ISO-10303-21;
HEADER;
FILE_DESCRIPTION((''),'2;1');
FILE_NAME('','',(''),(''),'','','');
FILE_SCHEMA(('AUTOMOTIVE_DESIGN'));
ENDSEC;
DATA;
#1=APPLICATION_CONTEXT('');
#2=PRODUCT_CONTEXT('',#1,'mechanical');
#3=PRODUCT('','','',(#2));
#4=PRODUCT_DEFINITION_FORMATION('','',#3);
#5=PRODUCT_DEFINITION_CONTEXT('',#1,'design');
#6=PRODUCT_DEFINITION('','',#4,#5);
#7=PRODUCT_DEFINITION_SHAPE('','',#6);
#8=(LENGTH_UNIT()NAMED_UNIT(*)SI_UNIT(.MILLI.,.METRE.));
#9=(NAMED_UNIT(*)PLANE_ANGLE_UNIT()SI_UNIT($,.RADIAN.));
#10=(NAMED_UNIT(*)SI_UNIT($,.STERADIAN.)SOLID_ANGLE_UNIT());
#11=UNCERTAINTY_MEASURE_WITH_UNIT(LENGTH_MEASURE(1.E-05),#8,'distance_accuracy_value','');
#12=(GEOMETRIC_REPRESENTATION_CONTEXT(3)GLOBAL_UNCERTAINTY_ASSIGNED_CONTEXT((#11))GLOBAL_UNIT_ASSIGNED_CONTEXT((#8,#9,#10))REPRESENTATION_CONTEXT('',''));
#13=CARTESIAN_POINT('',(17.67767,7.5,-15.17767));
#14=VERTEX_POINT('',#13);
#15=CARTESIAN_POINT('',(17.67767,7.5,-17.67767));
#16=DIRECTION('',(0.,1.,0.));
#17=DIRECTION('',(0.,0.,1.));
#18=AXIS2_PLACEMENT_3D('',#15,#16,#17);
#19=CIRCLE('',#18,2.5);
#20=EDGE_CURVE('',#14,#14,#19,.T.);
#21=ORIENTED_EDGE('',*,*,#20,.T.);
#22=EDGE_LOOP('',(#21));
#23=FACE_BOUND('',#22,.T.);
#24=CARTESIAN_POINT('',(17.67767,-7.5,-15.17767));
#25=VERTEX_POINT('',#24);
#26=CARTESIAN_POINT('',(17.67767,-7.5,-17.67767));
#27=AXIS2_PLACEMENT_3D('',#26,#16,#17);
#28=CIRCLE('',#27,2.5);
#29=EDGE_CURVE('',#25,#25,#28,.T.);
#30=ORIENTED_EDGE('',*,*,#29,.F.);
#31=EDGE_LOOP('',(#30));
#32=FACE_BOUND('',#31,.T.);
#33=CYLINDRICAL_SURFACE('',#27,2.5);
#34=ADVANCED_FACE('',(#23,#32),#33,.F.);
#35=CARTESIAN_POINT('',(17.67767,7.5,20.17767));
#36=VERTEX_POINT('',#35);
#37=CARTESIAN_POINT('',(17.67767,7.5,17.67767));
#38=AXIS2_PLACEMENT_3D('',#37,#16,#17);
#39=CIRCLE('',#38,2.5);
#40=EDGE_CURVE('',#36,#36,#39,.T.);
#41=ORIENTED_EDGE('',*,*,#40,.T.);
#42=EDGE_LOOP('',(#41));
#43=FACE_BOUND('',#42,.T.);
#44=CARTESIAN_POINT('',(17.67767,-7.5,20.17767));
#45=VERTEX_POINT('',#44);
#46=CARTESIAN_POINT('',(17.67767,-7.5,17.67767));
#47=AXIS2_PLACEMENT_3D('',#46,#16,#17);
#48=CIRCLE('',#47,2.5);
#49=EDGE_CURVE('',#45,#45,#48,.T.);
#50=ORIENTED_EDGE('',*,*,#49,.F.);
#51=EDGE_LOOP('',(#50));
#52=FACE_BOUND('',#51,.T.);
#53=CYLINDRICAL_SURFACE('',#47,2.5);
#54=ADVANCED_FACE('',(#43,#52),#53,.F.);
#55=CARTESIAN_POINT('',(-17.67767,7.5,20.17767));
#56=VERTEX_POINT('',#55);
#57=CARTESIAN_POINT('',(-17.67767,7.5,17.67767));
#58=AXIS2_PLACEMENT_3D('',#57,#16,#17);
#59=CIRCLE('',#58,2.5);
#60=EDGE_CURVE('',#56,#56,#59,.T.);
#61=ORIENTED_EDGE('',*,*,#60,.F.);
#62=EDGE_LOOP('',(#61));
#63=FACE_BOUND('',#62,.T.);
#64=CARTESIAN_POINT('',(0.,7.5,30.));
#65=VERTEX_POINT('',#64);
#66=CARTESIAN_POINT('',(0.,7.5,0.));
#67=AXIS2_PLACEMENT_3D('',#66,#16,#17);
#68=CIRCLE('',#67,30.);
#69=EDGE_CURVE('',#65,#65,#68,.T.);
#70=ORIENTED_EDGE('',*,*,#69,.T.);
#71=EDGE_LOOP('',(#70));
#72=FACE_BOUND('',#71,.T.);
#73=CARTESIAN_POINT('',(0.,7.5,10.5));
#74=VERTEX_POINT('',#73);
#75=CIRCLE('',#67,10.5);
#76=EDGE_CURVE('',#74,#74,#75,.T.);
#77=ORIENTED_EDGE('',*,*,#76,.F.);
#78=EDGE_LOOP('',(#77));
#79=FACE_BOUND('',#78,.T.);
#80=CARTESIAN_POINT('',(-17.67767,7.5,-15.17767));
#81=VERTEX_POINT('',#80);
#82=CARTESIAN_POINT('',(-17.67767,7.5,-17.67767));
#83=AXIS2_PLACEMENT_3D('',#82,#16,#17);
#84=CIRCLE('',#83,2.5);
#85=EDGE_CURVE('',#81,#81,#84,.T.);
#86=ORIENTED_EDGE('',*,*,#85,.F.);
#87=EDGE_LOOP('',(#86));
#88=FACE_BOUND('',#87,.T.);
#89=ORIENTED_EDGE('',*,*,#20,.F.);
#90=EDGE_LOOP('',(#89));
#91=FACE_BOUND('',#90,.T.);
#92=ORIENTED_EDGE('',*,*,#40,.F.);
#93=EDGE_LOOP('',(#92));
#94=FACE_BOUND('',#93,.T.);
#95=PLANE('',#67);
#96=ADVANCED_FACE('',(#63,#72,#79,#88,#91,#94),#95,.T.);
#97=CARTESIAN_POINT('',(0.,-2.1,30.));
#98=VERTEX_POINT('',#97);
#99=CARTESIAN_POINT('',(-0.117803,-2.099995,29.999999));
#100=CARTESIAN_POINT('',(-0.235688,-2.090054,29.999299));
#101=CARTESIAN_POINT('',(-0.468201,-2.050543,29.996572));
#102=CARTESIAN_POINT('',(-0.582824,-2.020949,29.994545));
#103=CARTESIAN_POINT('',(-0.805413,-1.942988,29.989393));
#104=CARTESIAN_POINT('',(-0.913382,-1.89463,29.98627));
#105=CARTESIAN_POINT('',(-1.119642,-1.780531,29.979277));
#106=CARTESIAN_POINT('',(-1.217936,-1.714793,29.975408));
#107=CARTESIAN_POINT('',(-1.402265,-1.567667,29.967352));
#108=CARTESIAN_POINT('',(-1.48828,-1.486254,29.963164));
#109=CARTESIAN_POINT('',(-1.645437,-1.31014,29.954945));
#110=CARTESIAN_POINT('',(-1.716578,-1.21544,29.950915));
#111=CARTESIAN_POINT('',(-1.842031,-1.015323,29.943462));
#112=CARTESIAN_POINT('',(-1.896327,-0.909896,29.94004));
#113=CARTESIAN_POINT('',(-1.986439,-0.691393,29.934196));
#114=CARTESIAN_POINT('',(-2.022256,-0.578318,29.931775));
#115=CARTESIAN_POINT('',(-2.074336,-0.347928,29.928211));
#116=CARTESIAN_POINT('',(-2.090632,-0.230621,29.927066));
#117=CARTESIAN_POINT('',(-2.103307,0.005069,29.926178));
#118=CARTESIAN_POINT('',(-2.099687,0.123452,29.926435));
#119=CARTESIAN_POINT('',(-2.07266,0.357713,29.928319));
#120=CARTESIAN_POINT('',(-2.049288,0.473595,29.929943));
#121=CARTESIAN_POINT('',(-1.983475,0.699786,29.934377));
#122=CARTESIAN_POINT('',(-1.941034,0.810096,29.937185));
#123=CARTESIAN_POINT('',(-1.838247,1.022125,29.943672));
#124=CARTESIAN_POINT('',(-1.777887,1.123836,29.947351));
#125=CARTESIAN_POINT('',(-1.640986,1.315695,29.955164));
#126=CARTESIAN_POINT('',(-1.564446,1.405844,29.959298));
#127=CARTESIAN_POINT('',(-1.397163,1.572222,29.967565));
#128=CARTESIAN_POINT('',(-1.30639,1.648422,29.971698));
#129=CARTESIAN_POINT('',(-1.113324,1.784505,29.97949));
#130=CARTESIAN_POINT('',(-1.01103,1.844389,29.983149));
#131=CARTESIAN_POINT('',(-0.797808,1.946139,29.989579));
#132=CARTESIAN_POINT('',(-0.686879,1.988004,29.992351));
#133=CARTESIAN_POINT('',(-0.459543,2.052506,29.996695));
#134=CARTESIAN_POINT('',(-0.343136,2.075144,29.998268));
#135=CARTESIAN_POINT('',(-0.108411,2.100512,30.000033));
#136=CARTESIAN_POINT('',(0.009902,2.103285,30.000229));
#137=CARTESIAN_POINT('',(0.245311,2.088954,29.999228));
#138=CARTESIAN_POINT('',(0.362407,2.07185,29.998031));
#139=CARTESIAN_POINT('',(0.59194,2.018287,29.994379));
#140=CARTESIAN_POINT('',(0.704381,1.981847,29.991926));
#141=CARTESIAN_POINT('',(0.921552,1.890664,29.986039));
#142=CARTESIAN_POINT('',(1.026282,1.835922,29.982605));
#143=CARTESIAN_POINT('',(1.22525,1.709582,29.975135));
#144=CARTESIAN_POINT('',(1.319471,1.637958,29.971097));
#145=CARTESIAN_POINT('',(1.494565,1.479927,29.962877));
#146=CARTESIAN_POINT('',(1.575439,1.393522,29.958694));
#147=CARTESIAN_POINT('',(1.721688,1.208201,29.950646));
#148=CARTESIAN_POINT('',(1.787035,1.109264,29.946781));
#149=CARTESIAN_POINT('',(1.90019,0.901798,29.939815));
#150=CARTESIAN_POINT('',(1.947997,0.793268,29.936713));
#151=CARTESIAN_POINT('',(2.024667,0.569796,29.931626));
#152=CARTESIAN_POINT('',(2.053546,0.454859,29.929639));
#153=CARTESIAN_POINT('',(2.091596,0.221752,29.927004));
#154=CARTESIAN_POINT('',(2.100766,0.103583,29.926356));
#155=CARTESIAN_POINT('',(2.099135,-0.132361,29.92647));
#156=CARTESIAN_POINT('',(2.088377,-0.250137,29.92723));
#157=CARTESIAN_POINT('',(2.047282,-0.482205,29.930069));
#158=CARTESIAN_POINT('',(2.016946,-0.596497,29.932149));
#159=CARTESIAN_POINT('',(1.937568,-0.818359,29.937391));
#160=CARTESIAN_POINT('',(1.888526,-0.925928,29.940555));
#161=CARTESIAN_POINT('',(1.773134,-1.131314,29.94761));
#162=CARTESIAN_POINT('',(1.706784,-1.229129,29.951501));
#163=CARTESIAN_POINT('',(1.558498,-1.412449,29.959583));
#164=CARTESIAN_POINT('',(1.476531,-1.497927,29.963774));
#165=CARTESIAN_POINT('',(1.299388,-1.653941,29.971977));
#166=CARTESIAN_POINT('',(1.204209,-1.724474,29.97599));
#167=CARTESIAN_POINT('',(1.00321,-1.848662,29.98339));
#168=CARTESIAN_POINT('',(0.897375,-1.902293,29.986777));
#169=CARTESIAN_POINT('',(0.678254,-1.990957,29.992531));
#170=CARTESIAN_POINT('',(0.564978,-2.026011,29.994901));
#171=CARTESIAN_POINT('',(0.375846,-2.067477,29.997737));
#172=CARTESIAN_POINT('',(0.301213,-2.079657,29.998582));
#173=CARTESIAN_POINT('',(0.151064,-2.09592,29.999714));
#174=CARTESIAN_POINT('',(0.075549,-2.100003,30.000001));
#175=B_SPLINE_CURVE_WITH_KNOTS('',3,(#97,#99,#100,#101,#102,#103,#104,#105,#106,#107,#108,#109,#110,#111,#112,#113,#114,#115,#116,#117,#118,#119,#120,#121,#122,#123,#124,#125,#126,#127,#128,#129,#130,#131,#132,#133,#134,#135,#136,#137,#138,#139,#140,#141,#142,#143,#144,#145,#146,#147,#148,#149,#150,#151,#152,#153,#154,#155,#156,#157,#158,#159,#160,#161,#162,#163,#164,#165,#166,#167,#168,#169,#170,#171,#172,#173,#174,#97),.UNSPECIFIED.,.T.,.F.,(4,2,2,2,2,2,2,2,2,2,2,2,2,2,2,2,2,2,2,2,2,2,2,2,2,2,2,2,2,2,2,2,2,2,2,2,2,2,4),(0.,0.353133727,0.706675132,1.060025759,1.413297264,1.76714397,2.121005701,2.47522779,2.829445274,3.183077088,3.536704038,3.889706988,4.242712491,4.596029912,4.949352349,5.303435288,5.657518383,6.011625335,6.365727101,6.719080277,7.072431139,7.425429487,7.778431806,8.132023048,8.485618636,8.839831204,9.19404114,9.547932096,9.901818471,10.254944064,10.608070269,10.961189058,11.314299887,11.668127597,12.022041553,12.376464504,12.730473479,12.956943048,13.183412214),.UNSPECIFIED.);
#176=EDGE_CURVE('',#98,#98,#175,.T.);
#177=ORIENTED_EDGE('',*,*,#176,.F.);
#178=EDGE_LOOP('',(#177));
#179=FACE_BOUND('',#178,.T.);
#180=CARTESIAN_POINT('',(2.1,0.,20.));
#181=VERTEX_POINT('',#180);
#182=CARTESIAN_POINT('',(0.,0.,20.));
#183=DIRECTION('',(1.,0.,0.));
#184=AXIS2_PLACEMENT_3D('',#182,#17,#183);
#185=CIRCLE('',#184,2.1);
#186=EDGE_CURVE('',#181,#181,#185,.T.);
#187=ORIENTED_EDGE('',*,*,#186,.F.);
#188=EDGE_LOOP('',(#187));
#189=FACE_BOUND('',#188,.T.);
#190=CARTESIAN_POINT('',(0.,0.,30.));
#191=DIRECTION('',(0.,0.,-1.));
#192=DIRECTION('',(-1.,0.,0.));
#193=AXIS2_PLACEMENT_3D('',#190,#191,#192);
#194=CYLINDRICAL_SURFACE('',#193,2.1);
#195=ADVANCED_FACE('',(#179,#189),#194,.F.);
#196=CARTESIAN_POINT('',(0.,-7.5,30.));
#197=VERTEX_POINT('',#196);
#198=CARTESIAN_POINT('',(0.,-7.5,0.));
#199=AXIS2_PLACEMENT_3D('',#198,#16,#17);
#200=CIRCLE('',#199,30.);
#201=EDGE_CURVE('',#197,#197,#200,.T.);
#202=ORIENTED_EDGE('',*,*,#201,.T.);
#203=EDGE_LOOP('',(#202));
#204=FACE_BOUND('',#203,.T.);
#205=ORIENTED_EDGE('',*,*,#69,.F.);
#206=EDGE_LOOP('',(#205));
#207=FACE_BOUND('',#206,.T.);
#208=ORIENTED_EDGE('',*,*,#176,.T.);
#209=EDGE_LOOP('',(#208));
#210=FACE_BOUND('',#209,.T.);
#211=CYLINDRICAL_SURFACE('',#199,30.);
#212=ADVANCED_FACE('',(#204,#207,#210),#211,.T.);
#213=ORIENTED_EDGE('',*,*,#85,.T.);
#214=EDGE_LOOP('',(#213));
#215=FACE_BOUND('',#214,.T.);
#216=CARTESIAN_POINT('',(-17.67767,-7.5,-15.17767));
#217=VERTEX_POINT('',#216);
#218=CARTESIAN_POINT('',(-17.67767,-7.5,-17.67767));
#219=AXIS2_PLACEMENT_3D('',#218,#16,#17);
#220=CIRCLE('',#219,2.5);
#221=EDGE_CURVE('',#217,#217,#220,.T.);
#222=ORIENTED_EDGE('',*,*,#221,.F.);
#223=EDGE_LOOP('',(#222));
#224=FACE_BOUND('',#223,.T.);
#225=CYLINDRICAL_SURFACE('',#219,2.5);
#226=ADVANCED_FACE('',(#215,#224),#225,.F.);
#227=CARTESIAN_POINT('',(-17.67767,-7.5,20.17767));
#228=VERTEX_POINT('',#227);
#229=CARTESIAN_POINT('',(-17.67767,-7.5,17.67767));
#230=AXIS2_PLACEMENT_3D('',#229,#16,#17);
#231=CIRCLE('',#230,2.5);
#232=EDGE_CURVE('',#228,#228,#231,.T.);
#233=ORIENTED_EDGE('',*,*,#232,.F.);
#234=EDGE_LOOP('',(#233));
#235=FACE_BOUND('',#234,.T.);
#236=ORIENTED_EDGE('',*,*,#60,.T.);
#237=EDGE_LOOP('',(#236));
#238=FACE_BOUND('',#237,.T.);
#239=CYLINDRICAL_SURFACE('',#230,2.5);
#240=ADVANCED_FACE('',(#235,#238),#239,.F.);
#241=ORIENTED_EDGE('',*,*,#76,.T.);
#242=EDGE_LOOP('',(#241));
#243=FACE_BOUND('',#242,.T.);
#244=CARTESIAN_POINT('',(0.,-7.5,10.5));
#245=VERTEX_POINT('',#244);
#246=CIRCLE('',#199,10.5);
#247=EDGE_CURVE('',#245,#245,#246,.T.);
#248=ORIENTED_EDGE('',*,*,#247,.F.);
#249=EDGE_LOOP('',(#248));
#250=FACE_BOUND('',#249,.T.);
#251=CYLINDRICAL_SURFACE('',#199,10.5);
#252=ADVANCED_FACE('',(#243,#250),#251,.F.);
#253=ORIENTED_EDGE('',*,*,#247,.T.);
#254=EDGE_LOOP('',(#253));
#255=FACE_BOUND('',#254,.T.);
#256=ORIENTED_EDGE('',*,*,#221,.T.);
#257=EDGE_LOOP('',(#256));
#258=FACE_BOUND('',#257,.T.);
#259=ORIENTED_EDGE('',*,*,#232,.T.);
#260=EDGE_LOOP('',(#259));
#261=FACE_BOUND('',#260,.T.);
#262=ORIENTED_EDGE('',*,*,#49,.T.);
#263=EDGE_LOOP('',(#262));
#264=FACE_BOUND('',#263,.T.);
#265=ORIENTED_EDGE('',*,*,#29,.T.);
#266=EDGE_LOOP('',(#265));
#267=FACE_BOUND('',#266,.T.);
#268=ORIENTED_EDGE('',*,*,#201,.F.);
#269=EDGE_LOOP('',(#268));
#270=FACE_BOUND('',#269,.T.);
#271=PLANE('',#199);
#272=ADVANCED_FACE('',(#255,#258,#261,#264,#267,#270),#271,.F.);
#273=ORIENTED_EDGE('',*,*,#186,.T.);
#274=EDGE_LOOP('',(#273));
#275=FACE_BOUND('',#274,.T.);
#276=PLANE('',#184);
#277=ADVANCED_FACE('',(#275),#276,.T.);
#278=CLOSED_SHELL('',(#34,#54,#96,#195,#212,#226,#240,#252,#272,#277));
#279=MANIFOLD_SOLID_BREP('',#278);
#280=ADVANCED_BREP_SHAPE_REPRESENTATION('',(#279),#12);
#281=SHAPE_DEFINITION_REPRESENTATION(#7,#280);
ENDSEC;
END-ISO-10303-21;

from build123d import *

# Parameters (mm, degrees)
BOSS_EXTRUDE1_DEPTH      = 7.5
BOSS_EXTRUDE1_DEPTH_BACK = 7.5
SKETCH1_R                = 30
SKETCH1_R_2              = 10.5
SKETCH1_R_3              = 2.5
CUT_EXTRUDE2_START       = 20
SKETCH2_R                = 2.1
CUT_EXTRUDE2_DEPTH       = 10


with BuildPart() as part:
    # Sketch1 → Boss-Extrude1 (new, two sides: drawn at the far end of the back side and taken through both)
    with BuildSketch(Plane(origin=(0, 0, 0), x_dir=(1, 0, 0), z_dir=(0, 1, 0)).offset(-BOSS_EXTRUDE1_DEPTH_BACK)):
        Circle(SKETCH1_R)
        Circle(SKETCH1_R_2, mode=Mode.SUBTRACT)
        with Locations((17.67766953, 17.67766953)):
            Circle(SKETCH1_R_3, mode=Mode.SUBTRACT)
        with Locations((17.67766953, -17.67766953)):
            Circle(SKETCH1_R_3, mode=Mode.SUBTRACT)
        with Locations((-17.67766953, -17.67766953)):
            Circle(SKETCH1_R_3, mode=Mode.SUBTRACT)
        with Locations((-17.67766953, 17.67766953)):
            Circle(SKETCH1_R_3, mode=Mode.SUBTRACT)
    extrude(amount=BOSS_EXTRUDE1_DEPTH + BOSS_EXTRUDE1_DEPTH_BACK)

    # Sketch2 → Cut-Extrude2 (cut)
    with BuildSketch(Plane.XY.offset(CUT_EXTRUDE2_START)):
        Circle(SKETCH2_R)
    extrude(amount=CUT_EXTRUDE2_DEPTH, mode=Mode.SUBTRACT)


solid = part.part
